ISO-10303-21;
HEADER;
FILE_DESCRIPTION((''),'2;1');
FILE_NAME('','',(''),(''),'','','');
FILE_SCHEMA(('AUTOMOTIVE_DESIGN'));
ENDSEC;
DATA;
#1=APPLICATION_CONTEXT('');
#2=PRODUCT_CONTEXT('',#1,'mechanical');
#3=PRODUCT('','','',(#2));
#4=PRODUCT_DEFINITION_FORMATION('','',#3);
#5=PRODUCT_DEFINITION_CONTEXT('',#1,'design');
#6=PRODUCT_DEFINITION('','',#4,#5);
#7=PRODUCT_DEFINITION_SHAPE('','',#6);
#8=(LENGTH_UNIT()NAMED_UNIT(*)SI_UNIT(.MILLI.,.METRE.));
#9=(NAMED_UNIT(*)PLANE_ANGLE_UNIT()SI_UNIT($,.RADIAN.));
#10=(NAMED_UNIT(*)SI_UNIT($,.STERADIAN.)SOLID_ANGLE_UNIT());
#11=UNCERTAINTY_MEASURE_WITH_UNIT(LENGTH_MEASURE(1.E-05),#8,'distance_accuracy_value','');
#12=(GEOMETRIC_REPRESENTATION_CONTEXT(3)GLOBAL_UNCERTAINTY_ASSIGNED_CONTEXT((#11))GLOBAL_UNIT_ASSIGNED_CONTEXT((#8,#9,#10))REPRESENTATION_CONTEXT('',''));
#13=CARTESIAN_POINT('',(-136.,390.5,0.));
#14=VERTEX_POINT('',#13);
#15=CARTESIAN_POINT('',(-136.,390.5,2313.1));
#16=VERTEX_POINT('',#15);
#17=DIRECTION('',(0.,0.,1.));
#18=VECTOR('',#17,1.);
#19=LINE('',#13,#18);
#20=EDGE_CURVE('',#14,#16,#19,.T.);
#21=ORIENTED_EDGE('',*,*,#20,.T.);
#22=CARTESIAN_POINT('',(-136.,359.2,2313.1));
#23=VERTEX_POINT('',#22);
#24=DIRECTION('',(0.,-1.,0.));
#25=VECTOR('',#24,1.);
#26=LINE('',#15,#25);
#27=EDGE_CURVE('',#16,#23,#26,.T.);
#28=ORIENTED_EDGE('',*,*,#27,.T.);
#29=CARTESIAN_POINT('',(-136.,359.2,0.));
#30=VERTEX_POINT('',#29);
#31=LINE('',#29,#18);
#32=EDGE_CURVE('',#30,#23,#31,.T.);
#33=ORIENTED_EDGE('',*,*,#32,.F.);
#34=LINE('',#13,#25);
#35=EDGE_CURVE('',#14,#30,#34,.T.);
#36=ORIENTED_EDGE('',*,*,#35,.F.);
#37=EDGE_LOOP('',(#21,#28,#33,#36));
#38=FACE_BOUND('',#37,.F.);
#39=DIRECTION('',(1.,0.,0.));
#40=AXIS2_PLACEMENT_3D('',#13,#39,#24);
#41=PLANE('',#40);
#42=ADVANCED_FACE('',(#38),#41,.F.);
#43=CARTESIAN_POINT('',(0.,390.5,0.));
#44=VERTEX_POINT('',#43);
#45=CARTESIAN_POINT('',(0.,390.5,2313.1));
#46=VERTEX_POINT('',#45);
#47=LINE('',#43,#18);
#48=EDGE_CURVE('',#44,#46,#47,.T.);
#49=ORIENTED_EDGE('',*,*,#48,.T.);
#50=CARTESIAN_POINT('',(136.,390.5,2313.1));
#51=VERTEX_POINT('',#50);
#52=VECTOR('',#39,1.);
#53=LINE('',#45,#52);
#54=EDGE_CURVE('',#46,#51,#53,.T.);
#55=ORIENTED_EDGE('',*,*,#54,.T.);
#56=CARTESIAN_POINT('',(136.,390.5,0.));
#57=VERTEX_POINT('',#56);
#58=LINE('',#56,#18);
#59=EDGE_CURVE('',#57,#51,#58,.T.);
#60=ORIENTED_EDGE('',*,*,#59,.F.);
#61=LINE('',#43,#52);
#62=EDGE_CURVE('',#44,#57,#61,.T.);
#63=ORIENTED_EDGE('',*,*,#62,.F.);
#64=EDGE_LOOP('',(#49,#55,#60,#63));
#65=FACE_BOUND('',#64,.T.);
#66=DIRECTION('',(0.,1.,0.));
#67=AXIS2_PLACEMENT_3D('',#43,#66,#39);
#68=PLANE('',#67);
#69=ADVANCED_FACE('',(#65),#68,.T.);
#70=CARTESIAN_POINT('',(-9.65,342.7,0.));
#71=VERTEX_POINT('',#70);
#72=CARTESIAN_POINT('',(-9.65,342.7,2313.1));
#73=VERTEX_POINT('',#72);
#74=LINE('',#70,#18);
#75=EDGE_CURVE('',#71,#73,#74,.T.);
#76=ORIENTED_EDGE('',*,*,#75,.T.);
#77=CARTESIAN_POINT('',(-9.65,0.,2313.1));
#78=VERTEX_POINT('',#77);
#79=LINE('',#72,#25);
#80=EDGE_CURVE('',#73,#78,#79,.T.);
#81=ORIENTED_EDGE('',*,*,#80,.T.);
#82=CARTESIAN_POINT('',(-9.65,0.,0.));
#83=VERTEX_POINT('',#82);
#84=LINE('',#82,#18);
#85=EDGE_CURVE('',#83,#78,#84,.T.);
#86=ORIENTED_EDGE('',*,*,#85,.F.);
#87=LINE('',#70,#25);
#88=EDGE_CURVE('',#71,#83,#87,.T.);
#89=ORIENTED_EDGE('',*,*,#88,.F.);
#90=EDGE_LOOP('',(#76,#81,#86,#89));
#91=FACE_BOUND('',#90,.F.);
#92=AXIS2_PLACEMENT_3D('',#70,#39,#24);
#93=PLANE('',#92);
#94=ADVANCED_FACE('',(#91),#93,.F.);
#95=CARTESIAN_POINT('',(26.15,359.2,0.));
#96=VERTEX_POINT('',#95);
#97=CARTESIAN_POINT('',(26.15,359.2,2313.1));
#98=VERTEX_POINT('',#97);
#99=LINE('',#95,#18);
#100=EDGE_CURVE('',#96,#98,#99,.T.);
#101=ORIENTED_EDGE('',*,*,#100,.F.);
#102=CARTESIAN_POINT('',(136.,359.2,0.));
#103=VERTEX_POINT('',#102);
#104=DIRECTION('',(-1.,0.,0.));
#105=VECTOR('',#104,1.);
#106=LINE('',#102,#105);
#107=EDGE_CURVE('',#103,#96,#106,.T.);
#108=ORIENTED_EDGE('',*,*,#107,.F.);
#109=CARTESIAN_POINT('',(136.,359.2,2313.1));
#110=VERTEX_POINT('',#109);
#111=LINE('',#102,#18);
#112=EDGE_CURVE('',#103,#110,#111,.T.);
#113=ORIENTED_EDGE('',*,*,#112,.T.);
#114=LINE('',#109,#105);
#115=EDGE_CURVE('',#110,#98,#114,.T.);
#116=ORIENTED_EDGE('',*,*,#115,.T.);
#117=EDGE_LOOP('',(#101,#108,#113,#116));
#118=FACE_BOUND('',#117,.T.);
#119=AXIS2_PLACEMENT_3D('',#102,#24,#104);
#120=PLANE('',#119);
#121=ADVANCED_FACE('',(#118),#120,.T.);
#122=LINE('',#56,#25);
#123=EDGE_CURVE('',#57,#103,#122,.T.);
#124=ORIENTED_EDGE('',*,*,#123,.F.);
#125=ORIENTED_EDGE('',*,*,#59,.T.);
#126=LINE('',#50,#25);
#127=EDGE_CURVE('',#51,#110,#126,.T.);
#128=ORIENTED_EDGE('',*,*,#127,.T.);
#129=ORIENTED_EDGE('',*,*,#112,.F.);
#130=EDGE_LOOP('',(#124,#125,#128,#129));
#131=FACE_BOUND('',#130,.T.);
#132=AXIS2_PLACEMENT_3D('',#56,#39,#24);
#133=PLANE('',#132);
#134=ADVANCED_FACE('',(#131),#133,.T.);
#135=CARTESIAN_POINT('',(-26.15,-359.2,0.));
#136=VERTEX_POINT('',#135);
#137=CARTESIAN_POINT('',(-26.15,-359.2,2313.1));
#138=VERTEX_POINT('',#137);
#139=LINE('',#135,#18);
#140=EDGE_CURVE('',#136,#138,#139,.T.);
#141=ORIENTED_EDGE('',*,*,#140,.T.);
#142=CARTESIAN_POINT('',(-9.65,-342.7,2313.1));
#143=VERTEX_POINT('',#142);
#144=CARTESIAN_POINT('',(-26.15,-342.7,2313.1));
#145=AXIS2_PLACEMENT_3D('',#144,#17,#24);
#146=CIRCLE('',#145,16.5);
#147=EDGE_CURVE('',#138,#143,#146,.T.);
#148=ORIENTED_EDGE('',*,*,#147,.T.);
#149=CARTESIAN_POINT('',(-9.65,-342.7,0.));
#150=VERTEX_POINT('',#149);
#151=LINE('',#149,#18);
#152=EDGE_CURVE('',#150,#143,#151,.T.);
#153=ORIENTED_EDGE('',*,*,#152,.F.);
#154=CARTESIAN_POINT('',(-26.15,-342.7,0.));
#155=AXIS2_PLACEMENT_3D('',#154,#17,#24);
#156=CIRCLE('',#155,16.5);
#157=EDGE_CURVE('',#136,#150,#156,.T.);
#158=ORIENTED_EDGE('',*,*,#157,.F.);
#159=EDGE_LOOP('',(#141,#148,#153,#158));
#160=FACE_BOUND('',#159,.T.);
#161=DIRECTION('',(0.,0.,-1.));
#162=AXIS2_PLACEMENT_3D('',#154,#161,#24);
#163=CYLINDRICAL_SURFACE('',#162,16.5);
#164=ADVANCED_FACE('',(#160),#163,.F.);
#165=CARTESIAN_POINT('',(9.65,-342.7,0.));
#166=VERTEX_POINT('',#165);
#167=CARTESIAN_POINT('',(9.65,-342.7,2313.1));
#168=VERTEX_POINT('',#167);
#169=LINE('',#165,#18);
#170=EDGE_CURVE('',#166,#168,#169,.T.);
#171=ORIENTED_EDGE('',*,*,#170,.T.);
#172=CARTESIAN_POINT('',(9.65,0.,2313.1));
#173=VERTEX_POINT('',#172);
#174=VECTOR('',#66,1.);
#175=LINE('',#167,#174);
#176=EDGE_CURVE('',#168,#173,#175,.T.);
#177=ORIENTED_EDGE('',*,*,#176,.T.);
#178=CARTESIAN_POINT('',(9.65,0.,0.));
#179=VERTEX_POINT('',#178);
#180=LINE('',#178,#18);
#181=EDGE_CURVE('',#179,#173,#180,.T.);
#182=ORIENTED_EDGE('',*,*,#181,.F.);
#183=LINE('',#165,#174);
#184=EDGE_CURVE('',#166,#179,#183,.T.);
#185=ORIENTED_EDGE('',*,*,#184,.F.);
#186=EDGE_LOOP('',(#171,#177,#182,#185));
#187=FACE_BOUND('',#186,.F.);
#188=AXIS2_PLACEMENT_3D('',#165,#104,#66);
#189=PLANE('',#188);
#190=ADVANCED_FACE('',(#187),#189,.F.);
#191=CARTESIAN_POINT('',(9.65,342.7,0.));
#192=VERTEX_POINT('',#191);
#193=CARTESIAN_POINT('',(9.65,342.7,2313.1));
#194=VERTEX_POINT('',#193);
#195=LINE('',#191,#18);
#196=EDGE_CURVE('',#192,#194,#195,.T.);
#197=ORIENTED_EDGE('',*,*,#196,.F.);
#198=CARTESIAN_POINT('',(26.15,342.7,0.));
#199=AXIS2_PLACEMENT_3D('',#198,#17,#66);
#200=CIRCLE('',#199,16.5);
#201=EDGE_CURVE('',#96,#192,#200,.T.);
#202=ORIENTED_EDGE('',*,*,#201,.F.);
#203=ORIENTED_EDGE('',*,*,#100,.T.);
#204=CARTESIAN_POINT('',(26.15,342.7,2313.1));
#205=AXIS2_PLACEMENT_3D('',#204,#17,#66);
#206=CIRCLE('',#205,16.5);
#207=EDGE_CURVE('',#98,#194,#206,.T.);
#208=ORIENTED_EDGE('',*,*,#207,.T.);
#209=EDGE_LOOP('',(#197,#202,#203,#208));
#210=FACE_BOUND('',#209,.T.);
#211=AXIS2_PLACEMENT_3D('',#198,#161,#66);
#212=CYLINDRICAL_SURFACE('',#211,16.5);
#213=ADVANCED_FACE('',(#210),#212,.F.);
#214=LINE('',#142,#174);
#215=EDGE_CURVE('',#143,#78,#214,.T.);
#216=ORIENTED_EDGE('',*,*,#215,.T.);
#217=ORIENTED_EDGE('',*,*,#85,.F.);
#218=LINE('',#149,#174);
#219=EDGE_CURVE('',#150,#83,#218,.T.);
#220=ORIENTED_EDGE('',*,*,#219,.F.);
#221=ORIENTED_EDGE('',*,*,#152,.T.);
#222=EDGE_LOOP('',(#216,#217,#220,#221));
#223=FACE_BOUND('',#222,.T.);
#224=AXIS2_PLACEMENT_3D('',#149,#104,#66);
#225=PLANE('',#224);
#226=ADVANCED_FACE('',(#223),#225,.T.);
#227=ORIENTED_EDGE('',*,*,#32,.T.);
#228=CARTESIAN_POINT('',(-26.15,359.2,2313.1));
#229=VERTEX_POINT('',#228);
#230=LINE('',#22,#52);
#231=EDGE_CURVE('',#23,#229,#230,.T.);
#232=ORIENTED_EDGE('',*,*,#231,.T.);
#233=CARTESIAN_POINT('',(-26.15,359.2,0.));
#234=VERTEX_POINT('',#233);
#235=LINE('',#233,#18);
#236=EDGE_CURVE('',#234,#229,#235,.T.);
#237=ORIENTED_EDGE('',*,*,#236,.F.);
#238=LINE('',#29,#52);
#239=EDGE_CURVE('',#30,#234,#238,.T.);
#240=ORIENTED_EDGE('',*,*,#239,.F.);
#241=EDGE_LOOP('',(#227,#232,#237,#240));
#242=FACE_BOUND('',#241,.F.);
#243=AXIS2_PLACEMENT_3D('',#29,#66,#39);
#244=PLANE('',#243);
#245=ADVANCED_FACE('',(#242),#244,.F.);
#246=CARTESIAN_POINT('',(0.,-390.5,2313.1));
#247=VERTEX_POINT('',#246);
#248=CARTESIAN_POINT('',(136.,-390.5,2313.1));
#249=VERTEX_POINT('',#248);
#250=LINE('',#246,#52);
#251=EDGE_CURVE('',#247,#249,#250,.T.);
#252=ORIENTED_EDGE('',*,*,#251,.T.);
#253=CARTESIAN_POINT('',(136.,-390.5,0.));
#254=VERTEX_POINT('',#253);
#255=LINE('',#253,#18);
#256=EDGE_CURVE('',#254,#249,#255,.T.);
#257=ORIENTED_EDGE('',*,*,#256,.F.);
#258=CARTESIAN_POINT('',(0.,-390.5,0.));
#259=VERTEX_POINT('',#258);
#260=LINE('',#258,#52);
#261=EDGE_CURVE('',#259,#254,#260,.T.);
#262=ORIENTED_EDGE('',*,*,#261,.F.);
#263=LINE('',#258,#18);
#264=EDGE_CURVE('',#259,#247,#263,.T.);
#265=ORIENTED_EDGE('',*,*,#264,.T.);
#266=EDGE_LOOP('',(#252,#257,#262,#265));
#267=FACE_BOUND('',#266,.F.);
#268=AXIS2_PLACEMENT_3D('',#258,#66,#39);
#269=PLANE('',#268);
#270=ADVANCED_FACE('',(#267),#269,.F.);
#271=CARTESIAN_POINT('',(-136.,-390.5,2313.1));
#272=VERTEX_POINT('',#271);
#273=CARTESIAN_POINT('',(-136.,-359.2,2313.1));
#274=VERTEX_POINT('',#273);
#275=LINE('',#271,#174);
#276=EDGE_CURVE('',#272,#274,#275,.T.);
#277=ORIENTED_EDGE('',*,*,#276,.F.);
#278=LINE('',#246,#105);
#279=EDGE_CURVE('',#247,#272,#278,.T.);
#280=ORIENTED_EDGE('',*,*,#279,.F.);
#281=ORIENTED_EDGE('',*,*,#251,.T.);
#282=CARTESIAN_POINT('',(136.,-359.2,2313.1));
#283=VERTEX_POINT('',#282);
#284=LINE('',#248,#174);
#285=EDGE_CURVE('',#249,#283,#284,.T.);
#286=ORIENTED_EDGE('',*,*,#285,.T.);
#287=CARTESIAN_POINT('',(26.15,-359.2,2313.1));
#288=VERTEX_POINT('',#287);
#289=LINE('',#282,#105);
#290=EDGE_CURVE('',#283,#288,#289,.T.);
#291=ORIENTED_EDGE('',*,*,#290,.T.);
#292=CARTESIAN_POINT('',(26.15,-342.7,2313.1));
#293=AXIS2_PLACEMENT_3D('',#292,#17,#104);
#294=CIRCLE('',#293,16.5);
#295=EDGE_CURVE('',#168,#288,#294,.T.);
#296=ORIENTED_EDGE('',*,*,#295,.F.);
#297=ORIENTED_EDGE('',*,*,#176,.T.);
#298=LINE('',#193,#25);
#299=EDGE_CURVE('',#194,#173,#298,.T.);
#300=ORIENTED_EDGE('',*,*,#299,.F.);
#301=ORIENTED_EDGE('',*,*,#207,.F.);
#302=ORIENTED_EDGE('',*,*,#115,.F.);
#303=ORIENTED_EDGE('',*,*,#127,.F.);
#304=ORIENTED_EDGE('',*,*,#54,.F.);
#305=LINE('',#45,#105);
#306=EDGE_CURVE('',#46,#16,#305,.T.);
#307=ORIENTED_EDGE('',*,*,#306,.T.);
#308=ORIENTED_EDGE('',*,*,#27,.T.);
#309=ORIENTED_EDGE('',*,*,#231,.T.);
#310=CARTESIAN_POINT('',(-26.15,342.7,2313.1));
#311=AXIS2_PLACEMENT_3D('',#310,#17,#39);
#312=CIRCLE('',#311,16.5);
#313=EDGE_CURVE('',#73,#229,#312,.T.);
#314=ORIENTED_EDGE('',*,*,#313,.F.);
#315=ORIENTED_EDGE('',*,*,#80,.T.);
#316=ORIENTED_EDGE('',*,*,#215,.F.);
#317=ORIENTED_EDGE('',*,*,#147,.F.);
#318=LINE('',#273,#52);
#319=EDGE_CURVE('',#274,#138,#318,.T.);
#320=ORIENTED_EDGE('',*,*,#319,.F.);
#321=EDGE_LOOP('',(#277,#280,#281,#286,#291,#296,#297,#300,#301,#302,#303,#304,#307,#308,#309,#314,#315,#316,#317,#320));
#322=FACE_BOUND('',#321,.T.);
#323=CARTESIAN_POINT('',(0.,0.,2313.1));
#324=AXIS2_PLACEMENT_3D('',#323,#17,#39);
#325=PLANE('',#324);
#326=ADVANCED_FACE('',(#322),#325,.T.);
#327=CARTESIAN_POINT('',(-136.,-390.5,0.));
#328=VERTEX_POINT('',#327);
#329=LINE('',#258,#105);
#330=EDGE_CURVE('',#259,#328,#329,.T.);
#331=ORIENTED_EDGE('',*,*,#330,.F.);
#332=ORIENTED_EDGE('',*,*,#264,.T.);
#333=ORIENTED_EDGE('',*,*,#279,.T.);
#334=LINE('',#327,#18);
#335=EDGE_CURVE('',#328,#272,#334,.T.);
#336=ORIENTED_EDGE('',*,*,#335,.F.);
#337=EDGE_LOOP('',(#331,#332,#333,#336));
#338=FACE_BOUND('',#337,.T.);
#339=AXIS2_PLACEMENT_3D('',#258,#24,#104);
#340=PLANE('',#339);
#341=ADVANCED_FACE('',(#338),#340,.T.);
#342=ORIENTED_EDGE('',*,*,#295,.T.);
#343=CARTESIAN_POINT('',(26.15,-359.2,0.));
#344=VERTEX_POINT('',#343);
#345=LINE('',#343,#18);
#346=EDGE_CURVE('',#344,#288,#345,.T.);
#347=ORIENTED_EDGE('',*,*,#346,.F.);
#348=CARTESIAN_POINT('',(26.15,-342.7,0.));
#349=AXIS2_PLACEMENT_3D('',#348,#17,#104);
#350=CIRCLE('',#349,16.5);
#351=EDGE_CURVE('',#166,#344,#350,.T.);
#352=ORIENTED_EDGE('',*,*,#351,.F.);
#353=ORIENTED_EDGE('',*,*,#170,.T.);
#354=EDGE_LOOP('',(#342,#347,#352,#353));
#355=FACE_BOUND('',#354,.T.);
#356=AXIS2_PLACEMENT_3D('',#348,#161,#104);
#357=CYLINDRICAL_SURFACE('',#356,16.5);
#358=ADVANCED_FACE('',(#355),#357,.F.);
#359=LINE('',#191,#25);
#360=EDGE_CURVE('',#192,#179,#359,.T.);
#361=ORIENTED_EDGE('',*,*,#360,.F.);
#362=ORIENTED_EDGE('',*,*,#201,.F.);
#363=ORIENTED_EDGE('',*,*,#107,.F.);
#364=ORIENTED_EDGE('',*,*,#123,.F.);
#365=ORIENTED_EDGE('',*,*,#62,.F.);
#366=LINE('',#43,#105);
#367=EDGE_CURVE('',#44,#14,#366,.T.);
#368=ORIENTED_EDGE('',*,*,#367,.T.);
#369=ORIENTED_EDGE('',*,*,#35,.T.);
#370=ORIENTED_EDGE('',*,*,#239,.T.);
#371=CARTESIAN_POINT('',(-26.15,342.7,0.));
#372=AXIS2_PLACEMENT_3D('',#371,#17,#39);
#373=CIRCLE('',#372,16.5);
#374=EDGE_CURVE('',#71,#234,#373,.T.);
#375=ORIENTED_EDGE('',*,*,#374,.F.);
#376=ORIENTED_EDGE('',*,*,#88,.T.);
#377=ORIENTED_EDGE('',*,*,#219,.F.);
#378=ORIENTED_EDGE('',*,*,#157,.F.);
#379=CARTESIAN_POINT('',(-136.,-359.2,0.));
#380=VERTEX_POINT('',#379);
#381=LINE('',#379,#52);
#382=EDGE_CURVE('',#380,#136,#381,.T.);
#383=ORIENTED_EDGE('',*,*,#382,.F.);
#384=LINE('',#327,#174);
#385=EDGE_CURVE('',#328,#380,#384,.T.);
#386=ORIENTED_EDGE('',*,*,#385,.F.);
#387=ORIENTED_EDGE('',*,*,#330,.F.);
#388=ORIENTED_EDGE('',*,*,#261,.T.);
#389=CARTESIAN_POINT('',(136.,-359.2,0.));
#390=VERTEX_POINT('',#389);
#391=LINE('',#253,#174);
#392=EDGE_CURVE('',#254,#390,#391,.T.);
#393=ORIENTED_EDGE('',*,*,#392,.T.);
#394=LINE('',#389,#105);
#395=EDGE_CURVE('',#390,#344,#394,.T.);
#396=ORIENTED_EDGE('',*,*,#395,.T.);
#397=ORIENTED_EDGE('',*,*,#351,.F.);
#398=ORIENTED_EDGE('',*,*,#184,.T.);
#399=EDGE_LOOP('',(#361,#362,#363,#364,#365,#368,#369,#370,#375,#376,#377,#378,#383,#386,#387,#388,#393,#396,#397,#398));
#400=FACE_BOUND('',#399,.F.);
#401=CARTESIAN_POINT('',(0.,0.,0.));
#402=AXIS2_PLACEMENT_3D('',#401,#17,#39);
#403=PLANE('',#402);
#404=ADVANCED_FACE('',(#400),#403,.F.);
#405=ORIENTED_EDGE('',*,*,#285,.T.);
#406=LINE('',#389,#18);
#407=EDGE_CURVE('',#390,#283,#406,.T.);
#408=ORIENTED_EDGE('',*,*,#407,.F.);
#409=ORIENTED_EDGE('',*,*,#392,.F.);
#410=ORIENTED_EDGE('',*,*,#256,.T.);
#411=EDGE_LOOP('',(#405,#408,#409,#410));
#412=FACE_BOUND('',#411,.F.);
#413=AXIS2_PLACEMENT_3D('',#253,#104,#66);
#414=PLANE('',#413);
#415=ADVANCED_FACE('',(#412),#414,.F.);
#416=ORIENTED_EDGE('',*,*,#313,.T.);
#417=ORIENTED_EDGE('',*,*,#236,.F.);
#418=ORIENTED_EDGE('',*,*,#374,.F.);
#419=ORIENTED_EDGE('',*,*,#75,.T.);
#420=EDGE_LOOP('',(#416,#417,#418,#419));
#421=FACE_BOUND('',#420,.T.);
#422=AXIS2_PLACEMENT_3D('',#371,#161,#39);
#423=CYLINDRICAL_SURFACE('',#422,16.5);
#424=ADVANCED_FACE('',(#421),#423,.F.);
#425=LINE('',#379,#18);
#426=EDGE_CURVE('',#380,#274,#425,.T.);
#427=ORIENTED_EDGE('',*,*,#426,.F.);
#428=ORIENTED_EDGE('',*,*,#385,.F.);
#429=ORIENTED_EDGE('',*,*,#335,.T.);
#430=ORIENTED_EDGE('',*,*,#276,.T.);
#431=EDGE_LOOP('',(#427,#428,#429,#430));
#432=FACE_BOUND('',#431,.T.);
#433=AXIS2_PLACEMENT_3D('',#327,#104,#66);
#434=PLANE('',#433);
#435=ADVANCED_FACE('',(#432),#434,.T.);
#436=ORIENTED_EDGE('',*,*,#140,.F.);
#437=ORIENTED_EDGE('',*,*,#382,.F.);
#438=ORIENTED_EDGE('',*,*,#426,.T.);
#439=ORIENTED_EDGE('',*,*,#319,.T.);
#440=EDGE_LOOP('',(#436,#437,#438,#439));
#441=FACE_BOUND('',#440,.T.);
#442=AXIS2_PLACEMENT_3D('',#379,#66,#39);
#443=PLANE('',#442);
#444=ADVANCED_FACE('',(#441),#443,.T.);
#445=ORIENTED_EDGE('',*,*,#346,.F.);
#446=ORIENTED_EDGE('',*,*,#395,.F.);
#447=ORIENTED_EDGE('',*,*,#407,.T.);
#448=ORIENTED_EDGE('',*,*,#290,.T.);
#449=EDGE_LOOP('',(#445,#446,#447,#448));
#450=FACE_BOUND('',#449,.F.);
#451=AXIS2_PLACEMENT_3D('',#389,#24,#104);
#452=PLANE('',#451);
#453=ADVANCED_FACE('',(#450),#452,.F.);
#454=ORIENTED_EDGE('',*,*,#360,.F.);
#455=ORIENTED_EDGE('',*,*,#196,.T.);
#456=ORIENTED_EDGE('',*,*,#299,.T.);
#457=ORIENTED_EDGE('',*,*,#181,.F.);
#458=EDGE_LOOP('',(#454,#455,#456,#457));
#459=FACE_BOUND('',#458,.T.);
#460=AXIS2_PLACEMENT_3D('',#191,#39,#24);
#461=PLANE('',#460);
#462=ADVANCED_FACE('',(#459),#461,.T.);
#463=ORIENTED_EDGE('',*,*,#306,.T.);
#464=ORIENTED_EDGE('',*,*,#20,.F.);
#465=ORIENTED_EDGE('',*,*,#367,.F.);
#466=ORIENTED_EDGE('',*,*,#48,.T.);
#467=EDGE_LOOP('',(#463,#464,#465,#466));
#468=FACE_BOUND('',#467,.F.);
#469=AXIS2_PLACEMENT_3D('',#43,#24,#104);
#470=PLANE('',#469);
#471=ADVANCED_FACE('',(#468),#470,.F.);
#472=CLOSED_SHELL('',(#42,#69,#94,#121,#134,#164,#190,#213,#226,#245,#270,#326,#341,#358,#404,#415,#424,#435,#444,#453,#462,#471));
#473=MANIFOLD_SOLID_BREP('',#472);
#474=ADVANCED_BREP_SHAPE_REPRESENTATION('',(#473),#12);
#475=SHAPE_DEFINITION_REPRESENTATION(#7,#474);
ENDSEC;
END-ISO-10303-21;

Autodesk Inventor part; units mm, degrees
ref_plane "YZ Plane" through (0, 0, 0) normal (1, 0, 0) x (0, 1, 0)
ref_plane "Start plane" through (0, 0, 0) normal (0, 0, 1) x (1, 0, 0)
ref_plane "End plane" through (0, 0, 2313.1) normal (0, 0, 1) x (1, 0, 0)
sketch "Sketch" plane through (0, 0, 0) normal (0, 0, 1) x (1, 0, 0)
  line L0 (-136, -390.5) -> (-136, -359.2)
  line L1 (-136, -359.2) -> (-26.15, -359.2)
  line L2 (-9.65, -342.7) -> (-9.65, 0)
  line L3 (-9.65, 0) -> (0, 0) construction
  line L4 (0, 0) -> (0, -390.5) construction
  line L5 (0, -390.5) -> (-136, -390.5)
  line L6 (-60, 0) -> (80, 0) construction
  line L7 (0, -60) -> (0, 80) construction
  line L8 (136, -390.5) -> (136, -359.2)
  line L9 (136, -359.2) -> (26.15, -359.2)
  line L10 (9.65, -342.7) -> (9.65, 0)
  line L11 (9.65, 0) -> (0, 0) construction
  line L12 (0, -390.5) -> (136, -390.5)
  line L13 (-136, 390.5) -> (-136, 359.2)
  line L14 (-136, 359.2) -> (-26.15, 359.2)
  line L15 (-9.65, 342.7) -> (-9.65, 0)
  line L16 (0, 390.5) -> (-136, 390.5)
  line L17 (136, 390.5) -> (136, 359.2)
  line L18 (136, 359.2) -> (26.15, 359.2)
  line L19 (0, 390.5) -> (136, 390.5)
  line L20 (9.65, 342.7) -> (9.65, 0)
  arc A0 (-9.65, 342.7) -> (-26.15, 359.2) centre (-26.15, 342.7) ccw
  arc A1 (26.15, 359.2) -> (9.65, 342.7) centre (26.15, 342.7) ccw
  arc A2 (9.65, -342.7) -> (26.15, -359.2) centre (26.15, -342.7) ccw
  arc A3 (-26.15, -359.2) -> (-9.65, -342.7) centre (-26.15, -342.7) ccw
  line L21 (0, 108) -> (0, -88) construction
  line L22 (-88, 0) -> (108, 0) construction
  point P0 (-9.65, -359.2)
  point P1 (9.65, -359.2)
  point P2 (-9.65, 359.2)
  point P3 (9.65, 359.2)
  dimension "d1" = 390.5
  dimension "d2" = 31.3
  dimension "d3" = 136
  dimension "d4" = 9.65
  dimension "d10" = 16.5
extrude "Body" add sketch "Sketch" along normal up to surface (2313.1 mm away) from surface at 0
sketch "Sketch4" plane through (0, 0, 0) normal (0, 0, 1) x (1, 0, 0)
  line L0 (0, 0) -> (10, 0)
ref_plane "Work Plane3" through (0, 0, 0) normal (0, -1, 0) x (1, 0, 0)
sketch "Sketch5" plane through (0, 0, 0) normal (0, -1, 0) x (1, 0, 0)
  line L0 (-2, 0) -> (12, 0) projected
  line L1 (-2, 2313.1) -> (12, 2313.1) projected
  dimension "d14" = 2313.1
equation "\"d1\" = 0.5 * G_H"
equation "\"d2\" = G_T1"
equation "\"d3\" = 0.5 * G_W"
equation "\"d4\" = 0.5 * G_T"
equation "\"d10\" = G_IR"
equation "\"d5\" = G_L"
equation "\"G_W\" = 272"
equation "\"G_H\" = 781"
equation "\"G_T\" = 19.3"
equation "\"G_T1\" = 31.3"
equation "\"G_IR\" = 16.5"
equation "\"G_L\" = d14"
equation "\"G_OFFSET_START\" = 0"
equation "\"G_OFFSET_END\" = 0"
equation "\"d12\" = G_OFFSET_END + B_L"
equation "\"B_L\" = 2313.1"
properties part number "AS 3679-1990 - 760 UB - 244 - 2313.1" material "Steel, Mild"
